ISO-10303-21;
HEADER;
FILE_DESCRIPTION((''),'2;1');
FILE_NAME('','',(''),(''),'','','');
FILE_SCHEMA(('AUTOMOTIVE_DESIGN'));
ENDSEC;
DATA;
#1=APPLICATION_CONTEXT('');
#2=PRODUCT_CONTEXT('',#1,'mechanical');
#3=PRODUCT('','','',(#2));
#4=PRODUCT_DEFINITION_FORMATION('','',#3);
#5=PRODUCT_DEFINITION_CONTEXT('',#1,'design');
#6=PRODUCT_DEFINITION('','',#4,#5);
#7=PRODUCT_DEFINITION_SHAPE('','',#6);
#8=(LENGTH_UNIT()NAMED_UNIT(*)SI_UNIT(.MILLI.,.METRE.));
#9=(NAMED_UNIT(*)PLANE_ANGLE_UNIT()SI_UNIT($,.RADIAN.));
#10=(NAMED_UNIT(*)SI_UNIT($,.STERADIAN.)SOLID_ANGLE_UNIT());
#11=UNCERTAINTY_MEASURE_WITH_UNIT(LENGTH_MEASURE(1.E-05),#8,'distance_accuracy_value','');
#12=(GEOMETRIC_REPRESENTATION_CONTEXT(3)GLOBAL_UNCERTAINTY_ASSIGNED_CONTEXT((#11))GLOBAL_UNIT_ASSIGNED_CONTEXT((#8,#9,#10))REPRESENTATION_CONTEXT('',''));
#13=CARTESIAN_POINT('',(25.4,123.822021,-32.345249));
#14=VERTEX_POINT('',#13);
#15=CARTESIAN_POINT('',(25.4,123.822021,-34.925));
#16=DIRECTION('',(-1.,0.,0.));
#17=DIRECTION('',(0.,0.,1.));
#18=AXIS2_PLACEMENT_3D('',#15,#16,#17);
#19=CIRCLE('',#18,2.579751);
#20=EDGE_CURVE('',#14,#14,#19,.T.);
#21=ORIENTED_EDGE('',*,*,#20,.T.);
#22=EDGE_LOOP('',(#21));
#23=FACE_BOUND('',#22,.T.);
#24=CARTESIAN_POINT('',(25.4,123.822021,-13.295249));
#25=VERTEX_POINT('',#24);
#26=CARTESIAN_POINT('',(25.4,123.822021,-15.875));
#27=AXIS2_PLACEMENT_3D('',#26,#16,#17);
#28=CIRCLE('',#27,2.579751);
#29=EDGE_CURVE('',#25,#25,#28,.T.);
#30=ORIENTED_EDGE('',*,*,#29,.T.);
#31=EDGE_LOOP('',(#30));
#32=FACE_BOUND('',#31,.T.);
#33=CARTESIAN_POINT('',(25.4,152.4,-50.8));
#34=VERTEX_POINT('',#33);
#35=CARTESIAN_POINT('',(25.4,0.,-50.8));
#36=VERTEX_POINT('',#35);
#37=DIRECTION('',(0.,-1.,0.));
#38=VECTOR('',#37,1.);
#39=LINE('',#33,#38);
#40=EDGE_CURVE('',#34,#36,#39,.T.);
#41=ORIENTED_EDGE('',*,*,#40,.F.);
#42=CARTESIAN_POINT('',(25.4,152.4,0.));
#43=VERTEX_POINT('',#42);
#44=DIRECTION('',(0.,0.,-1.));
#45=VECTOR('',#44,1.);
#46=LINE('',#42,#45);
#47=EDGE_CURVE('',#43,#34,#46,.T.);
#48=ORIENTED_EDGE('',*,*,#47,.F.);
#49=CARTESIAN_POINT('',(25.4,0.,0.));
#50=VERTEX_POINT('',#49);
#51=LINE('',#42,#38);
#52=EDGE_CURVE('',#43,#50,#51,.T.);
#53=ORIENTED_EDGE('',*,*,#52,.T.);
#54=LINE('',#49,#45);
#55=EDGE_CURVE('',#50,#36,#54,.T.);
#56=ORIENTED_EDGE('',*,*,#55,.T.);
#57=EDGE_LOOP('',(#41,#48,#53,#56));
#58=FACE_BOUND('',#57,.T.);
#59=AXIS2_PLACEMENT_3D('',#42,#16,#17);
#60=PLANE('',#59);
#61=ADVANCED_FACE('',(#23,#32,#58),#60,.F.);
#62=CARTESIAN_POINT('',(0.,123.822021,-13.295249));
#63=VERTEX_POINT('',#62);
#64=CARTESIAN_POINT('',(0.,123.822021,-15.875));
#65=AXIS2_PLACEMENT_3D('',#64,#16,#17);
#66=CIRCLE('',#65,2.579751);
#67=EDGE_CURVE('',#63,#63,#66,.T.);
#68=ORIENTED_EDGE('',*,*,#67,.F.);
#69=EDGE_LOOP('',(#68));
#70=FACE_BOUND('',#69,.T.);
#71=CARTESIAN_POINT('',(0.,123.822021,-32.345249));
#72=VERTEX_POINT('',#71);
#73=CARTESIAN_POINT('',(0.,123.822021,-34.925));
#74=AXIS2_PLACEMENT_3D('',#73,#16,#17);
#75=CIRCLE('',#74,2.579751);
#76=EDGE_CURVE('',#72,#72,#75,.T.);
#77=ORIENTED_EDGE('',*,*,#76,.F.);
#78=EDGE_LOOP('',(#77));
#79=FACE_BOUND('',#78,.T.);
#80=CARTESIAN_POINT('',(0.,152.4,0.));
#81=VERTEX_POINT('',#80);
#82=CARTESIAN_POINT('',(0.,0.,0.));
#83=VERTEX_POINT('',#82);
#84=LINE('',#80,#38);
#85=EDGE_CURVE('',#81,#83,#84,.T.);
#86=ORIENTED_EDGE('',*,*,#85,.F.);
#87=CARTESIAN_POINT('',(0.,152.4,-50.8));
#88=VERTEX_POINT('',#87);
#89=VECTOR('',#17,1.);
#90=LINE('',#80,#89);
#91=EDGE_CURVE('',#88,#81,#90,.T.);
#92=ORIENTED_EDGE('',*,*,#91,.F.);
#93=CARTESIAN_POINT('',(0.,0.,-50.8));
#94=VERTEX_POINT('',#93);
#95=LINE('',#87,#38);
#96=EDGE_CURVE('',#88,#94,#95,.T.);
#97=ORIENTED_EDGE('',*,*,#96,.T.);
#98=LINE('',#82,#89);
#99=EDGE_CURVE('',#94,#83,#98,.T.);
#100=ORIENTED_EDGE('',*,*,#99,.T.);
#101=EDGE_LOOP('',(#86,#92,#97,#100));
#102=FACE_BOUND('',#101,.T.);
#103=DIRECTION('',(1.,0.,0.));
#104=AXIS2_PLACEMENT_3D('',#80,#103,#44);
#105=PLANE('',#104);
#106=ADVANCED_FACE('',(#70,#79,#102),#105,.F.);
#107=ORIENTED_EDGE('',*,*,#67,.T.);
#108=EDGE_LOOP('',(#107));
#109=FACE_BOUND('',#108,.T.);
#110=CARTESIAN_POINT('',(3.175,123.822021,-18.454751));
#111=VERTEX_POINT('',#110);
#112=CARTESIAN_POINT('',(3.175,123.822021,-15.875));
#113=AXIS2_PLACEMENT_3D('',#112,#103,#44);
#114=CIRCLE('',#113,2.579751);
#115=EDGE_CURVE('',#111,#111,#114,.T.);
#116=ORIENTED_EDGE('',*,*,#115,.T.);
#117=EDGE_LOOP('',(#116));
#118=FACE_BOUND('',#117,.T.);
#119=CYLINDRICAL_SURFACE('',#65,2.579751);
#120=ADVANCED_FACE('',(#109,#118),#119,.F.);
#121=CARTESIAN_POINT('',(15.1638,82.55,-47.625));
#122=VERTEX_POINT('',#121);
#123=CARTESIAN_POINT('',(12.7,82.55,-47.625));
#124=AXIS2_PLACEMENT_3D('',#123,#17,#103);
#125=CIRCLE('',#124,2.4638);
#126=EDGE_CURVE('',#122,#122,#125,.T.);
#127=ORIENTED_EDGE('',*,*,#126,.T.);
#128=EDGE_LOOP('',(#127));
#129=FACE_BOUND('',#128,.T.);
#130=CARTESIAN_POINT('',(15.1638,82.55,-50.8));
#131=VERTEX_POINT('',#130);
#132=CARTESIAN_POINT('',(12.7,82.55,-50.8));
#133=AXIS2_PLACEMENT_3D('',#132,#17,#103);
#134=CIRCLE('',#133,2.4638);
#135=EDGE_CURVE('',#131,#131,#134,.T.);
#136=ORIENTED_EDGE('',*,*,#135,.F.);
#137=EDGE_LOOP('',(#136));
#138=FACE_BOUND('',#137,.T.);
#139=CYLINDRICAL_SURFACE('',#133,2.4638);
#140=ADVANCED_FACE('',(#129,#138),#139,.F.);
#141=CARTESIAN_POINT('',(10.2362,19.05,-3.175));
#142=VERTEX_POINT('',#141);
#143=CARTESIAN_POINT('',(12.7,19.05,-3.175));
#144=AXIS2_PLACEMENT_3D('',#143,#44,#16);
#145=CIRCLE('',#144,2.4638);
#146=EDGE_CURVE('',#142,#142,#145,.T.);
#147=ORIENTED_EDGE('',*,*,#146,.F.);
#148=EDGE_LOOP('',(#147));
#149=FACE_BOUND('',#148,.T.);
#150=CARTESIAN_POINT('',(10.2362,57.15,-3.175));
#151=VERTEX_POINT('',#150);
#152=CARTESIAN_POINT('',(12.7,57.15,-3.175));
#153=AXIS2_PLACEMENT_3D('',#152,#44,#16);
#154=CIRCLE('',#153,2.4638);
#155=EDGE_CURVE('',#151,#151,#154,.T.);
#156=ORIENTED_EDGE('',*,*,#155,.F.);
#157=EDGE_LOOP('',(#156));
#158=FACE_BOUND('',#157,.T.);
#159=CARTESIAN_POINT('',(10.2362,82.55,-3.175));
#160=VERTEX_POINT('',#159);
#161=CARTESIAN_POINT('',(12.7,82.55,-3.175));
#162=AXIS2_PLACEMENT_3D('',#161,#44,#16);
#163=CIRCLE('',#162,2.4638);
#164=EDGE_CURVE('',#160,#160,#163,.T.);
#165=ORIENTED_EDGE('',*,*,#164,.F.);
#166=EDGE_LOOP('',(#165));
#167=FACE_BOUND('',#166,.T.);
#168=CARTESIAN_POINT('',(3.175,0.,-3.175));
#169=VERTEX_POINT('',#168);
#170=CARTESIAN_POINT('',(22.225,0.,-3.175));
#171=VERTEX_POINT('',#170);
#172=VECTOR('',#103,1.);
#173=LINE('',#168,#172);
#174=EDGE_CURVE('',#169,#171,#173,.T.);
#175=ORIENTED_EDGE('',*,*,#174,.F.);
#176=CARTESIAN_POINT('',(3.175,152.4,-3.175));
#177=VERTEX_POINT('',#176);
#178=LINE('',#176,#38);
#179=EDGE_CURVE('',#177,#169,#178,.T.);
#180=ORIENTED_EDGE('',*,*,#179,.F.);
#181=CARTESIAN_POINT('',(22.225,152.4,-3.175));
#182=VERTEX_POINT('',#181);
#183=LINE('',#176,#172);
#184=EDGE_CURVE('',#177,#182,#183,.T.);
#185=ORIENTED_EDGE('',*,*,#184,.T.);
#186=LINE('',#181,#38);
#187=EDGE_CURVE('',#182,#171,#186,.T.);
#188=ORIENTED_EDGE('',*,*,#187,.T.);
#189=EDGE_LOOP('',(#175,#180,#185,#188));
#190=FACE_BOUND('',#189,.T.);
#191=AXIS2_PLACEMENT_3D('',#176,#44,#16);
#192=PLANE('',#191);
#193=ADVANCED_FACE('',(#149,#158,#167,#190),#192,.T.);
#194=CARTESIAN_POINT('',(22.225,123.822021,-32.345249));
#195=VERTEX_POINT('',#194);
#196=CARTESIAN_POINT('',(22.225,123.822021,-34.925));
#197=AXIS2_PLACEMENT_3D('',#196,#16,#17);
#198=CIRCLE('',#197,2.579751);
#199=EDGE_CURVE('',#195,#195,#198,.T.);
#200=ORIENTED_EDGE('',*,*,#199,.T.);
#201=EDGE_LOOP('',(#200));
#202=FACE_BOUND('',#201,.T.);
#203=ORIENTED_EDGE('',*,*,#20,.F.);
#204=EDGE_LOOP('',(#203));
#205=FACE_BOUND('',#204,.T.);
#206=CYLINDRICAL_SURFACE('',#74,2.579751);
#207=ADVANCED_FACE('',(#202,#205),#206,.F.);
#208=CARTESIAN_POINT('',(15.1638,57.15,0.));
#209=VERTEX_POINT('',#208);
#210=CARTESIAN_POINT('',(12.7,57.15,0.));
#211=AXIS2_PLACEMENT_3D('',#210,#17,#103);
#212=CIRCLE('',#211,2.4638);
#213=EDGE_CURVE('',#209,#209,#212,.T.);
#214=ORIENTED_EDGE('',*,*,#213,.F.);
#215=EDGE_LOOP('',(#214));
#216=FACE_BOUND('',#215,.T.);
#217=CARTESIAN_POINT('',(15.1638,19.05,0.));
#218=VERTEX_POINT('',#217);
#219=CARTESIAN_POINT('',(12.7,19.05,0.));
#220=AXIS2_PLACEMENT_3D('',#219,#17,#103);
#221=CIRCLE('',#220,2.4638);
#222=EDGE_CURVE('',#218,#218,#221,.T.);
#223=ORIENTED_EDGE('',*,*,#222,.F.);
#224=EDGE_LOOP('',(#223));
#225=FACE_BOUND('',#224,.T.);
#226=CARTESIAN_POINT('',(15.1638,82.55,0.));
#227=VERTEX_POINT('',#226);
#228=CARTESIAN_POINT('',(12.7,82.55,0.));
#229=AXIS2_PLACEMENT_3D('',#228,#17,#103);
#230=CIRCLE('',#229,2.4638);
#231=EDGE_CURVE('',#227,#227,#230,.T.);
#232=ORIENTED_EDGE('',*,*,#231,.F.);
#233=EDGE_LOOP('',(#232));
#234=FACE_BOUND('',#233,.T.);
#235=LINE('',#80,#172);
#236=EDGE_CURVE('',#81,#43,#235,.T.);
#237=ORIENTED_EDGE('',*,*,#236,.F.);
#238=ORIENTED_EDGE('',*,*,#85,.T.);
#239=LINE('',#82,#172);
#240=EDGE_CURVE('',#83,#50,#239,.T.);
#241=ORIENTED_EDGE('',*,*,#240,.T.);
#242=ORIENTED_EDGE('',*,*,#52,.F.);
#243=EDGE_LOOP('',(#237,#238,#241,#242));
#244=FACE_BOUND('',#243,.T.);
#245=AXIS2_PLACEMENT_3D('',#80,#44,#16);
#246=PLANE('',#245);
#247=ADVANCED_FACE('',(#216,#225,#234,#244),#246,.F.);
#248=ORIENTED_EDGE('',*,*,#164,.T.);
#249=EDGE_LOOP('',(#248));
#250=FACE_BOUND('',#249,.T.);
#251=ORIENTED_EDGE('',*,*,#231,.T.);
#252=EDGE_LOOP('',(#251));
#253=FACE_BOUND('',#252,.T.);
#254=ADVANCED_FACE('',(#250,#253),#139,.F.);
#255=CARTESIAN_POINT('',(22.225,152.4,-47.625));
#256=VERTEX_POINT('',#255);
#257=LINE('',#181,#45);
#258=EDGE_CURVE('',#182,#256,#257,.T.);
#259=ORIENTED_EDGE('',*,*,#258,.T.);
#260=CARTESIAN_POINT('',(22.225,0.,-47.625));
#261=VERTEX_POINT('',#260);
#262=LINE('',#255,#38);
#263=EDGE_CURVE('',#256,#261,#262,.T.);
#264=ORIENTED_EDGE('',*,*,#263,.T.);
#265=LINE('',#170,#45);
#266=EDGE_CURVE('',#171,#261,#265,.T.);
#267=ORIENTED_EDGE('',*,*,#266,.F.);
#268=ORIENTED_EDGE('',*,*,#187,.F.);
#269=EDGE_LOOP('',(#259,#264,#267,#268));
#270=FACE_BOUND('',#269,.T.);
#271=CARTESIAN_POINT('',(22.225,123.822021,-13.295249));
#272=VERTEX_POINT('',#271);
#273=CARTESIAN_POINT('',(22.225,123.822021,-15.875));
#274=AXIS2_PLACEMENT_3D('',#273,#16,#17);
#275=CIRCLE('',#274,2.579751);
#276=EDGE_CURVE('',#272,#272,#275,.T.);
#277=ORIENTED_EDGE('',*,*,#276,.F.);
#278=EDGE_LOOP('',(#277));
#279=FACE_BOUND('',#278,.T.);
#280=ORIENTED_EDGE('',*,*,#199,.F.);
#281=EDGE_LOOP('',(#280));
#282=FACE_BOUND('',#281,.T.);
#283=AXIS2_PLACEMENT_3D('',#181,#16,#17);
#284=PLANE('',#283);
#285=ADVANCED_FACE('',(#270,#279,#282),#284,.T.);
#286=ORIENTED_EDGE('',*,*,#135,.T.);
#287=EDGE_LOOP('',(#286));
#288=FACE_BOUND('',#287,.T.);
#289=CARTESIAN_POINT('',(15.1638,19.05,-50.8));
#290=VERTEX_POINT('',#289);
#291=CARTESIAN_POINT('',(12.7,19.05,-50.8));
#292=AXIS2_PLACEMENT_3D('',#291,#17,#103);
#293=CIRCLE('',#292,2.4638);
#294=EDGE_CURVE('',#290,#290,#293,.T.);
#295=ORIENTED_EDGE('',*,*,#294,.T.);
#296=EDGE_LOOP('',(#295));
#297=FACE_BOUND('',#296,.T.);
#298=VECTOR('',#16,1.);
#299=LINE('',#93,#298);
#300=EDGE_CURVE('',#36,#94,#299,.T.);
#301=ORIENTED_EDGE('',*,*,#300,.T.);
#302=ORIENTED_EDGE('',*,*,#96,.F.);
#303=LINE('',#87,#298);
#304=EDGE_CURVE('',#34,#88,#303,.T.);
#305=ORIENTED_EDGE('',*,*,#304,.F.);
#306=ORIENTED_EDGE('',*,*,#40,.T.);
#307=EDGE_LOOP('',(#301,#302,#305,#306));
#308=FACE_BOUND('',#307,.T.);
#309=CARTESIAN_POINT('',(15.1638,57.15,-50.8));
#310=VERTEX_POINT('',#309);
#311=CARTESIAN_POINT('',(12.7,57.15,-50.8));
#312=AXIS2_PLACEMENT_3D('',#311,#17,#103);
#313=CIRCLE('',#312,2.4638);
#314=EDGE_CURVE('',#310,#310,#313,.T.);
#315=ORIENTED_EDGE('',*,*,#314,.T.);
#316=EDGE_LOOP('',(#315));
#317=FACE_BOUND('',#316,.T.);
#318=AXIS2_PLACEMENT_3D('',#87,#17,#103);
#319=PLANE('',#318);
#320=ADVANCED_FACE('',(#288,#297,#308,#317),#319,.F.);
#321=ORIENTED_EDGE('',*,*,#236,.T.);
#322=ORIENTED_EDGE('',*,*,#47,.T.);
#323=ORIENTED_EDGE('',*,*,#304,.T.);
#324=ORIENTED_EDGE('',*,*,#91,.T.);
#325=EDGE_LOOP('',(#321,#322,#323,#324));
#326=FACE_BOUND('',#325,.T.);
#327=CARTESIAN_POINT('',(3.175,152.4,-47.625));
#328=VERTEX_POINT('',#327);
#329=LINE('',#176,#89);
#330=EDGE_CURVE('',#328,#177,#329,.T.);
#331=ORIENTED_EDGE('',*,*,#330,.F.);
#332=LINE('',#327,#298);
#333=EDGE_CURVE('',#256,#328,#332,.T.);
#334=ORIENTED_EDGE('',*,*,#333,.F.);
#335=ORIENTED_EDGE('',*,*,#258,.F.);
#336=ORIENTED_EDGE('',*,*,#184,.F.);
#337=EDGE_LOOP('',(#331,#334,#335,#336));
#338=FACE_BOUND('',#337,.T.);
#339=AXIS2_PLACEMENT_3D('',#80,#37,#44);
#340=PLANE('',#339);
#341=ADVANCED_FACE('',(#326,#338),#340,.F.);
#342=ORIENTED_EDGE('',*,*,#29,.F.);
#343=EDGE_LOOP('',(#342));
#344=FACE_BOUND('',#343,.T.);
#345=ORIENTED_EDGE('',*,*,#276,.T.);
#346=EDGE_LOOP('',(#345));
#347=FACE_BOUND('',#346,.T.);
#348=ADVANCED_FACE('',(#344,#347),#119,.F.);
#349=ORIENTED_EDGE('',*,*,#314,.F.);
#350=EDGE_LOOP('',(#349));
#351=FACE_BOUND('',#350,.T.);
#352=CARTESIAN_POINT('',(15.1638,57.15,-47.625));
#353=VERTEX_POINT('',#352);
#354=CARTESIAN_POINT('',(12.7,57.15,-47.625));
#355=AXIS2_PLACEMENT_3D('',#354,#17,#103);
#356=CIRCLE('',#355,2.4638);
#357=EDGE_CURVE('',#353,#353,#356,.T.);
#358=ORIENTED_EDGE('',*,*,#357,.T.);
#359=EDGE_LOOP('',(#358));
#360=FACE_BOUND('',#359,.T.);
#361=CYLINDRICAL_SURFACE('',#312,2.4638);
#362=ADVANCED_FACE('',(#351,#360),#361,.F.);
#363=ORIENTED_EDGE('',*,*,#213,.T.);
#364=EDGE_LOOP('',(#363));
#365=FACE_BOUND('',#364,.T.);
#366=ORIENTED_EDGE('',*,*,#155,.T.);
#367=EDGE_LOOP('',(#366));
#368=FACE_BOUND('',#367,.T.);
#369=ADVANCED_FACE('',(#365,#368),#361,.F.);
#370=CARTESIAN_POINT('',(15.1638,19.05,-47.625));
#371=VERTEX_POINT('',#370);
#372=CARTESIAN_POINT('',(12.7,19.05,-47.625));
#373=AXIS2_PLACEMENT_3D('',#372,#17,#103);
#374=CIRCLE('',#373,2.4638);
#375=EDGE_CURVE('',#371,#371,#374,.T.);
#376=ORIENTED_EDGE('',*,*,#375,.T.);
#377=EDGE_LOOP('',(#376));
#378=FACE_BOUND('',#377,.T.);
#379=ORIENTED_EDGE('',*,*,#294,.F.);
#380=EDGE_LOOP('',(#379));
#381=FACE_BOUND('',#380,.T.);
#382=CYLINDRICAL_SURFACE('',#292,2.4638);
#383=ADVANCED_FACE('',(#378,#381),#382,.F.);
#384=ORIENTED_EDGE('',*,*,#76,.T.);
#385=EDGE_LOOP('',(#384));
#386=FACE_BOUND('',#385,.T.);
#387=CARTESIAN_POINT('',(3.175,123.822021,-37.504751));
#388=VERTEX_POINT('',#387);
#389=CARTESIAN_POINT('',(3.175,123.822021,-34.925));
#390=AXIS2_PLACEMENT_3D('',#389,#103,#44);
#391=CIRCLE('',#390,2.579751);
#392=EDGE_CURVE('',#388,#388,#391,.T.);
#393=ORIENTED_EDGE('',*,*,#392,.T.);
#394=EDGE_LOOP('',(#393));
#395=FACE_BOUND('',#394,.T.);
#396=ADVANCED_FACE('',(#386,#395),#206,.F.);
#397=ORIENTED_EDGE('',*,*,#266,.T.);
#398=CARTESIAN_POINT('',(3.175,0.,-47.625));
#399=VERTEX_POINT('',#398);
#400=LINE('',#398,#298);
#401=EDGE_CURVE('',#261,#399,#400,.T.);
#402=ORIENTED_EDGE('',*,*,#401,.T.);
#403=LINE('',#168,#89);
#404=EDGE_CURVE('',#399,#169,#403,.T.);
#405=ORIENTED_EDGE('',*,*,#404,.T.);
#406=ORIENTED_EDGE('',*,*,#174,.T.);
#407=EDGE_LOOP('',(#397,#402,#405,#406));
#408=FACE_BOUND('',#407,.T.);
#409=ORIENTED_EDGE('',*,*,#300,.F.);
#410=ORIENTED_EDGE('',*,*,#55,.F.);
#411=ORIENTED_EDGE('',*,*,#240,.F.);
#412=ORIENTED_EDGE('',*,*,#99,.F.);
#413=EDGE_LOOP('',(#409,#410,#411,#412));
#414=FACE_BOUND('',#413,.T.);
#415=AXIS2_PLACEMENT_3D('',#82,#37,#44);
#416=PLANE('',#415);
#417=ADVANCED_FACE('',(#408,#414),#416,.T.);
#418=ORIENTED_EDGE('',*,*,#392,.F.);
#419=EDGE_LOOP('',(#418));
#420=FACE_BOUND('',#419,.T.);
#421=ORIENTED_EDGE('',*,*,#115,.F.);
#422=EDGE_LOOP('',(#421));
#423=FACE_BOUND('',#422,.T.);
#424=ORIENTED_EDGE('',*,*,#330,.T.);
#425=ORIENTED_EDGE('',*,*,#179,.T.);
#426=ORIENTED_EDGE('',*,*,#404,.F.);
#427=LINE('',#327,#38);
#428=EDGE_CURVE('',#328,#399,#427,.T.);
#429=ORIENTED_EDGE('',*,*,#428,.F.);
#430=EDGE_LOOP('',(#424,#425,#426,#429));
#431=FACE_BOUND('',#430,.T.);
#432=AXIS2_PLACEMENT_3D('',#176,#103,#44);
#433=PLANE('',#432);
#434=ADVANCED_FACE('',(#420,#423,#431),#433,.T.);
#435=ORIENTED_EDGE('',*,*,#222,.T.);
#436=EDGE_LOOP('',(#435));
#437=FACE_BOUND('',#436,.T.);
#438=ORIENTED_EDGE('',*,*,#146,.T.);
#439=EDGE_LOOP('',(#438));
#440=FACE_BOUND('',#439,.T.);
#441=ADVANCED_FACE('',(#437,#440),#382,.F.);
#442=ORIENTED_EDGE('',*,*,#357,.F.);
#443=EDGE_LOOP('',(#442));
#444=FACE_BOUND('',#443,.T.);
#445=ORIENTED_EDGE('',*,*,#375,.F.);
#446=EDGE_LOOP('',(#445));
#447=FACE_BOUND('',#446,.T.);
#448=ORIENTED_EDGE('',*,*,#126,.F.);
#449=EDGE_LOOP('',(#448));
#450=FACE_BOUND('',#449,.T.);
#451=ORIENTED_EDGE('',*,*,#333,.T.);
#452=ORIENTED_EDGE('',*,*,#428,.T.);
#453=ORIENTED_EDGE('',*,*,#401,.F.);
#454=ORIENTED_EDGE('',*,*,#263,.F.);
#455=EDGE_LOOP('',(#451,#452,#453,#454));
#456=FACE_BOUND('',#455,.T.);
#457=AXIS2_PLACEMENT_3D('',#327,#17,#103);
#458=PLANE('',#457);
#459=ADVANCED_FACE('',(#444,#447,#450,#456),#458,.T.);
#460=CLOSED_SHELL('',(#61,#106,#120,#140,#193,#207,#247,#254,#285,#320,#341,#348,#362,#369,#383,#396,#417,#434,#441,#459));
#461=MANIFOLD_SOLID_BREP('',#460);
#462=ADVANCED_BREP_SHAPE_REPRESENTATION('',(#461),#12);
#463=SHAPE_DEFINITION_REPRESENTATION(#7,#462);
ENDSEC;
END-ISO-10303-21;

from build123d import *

# Parameters (mm, degrees)
SKETCH1_W                        = 25.4
SKETCH1_H                        = 50.8
SKETCH1_W_2                      = 19.05
SKETCH1_H_2                      = 44.45
BOSS_EXTRUDE1_DEPTH              = 152.4
SKETCH2_R                        = 2.4638
CUT_EXTRUDE1_DEPTH               = 163.639355631
F_13_64_0_20313_DIAMETER_HOLE1_D = 5.159502


with BuildPart() as part:
    # Sketch1 → Boss-Extrude1 (new body)
    with BuildSketch(Plane(origin=(0, 0, 0), x_dir=(1, 0, 0), z_dir=(0, 1, 0))):
        with Locations((12.7, 25.4)):
            Rectangle(SKETCH1_W, SKETCH1_H)
        with Locations((12.7, 25.4)):
            Rectangle(SKETCH1_W_2, SKETCH1_H_2, mode=Mode.SUBTRACT)
    extrude(amount=BOSS_EXTRUDE1_DEPTH)

    # Sketch2 → Cut-Extrude1 (cut, through all)
    with BuildSketch(Plane.XY):
        with Locations((12.7, 82.55)):
            Circle(SKETCH2_R)
        with Locations((12.7, 57.15)):
            Circle(SKETCH2_R)
        with Locations((12.7, 19.05)):
            Circle(SKETCH2_R)
    extrude(amount=-CUT_EXTRUDE1_DEPTH, mode=Mode.SUBTRACT)

    # 13/64 (0.20313) Diameter Hole1 (through all)
    with Locations(Plane.ZY):
        with Locations((-34.925, 123.822021436), (-15.875, 123.822021436)):
            Hole(F_13_64_0_20313_DIAMETER_HOLE1_D / 2)


solid = part.part
